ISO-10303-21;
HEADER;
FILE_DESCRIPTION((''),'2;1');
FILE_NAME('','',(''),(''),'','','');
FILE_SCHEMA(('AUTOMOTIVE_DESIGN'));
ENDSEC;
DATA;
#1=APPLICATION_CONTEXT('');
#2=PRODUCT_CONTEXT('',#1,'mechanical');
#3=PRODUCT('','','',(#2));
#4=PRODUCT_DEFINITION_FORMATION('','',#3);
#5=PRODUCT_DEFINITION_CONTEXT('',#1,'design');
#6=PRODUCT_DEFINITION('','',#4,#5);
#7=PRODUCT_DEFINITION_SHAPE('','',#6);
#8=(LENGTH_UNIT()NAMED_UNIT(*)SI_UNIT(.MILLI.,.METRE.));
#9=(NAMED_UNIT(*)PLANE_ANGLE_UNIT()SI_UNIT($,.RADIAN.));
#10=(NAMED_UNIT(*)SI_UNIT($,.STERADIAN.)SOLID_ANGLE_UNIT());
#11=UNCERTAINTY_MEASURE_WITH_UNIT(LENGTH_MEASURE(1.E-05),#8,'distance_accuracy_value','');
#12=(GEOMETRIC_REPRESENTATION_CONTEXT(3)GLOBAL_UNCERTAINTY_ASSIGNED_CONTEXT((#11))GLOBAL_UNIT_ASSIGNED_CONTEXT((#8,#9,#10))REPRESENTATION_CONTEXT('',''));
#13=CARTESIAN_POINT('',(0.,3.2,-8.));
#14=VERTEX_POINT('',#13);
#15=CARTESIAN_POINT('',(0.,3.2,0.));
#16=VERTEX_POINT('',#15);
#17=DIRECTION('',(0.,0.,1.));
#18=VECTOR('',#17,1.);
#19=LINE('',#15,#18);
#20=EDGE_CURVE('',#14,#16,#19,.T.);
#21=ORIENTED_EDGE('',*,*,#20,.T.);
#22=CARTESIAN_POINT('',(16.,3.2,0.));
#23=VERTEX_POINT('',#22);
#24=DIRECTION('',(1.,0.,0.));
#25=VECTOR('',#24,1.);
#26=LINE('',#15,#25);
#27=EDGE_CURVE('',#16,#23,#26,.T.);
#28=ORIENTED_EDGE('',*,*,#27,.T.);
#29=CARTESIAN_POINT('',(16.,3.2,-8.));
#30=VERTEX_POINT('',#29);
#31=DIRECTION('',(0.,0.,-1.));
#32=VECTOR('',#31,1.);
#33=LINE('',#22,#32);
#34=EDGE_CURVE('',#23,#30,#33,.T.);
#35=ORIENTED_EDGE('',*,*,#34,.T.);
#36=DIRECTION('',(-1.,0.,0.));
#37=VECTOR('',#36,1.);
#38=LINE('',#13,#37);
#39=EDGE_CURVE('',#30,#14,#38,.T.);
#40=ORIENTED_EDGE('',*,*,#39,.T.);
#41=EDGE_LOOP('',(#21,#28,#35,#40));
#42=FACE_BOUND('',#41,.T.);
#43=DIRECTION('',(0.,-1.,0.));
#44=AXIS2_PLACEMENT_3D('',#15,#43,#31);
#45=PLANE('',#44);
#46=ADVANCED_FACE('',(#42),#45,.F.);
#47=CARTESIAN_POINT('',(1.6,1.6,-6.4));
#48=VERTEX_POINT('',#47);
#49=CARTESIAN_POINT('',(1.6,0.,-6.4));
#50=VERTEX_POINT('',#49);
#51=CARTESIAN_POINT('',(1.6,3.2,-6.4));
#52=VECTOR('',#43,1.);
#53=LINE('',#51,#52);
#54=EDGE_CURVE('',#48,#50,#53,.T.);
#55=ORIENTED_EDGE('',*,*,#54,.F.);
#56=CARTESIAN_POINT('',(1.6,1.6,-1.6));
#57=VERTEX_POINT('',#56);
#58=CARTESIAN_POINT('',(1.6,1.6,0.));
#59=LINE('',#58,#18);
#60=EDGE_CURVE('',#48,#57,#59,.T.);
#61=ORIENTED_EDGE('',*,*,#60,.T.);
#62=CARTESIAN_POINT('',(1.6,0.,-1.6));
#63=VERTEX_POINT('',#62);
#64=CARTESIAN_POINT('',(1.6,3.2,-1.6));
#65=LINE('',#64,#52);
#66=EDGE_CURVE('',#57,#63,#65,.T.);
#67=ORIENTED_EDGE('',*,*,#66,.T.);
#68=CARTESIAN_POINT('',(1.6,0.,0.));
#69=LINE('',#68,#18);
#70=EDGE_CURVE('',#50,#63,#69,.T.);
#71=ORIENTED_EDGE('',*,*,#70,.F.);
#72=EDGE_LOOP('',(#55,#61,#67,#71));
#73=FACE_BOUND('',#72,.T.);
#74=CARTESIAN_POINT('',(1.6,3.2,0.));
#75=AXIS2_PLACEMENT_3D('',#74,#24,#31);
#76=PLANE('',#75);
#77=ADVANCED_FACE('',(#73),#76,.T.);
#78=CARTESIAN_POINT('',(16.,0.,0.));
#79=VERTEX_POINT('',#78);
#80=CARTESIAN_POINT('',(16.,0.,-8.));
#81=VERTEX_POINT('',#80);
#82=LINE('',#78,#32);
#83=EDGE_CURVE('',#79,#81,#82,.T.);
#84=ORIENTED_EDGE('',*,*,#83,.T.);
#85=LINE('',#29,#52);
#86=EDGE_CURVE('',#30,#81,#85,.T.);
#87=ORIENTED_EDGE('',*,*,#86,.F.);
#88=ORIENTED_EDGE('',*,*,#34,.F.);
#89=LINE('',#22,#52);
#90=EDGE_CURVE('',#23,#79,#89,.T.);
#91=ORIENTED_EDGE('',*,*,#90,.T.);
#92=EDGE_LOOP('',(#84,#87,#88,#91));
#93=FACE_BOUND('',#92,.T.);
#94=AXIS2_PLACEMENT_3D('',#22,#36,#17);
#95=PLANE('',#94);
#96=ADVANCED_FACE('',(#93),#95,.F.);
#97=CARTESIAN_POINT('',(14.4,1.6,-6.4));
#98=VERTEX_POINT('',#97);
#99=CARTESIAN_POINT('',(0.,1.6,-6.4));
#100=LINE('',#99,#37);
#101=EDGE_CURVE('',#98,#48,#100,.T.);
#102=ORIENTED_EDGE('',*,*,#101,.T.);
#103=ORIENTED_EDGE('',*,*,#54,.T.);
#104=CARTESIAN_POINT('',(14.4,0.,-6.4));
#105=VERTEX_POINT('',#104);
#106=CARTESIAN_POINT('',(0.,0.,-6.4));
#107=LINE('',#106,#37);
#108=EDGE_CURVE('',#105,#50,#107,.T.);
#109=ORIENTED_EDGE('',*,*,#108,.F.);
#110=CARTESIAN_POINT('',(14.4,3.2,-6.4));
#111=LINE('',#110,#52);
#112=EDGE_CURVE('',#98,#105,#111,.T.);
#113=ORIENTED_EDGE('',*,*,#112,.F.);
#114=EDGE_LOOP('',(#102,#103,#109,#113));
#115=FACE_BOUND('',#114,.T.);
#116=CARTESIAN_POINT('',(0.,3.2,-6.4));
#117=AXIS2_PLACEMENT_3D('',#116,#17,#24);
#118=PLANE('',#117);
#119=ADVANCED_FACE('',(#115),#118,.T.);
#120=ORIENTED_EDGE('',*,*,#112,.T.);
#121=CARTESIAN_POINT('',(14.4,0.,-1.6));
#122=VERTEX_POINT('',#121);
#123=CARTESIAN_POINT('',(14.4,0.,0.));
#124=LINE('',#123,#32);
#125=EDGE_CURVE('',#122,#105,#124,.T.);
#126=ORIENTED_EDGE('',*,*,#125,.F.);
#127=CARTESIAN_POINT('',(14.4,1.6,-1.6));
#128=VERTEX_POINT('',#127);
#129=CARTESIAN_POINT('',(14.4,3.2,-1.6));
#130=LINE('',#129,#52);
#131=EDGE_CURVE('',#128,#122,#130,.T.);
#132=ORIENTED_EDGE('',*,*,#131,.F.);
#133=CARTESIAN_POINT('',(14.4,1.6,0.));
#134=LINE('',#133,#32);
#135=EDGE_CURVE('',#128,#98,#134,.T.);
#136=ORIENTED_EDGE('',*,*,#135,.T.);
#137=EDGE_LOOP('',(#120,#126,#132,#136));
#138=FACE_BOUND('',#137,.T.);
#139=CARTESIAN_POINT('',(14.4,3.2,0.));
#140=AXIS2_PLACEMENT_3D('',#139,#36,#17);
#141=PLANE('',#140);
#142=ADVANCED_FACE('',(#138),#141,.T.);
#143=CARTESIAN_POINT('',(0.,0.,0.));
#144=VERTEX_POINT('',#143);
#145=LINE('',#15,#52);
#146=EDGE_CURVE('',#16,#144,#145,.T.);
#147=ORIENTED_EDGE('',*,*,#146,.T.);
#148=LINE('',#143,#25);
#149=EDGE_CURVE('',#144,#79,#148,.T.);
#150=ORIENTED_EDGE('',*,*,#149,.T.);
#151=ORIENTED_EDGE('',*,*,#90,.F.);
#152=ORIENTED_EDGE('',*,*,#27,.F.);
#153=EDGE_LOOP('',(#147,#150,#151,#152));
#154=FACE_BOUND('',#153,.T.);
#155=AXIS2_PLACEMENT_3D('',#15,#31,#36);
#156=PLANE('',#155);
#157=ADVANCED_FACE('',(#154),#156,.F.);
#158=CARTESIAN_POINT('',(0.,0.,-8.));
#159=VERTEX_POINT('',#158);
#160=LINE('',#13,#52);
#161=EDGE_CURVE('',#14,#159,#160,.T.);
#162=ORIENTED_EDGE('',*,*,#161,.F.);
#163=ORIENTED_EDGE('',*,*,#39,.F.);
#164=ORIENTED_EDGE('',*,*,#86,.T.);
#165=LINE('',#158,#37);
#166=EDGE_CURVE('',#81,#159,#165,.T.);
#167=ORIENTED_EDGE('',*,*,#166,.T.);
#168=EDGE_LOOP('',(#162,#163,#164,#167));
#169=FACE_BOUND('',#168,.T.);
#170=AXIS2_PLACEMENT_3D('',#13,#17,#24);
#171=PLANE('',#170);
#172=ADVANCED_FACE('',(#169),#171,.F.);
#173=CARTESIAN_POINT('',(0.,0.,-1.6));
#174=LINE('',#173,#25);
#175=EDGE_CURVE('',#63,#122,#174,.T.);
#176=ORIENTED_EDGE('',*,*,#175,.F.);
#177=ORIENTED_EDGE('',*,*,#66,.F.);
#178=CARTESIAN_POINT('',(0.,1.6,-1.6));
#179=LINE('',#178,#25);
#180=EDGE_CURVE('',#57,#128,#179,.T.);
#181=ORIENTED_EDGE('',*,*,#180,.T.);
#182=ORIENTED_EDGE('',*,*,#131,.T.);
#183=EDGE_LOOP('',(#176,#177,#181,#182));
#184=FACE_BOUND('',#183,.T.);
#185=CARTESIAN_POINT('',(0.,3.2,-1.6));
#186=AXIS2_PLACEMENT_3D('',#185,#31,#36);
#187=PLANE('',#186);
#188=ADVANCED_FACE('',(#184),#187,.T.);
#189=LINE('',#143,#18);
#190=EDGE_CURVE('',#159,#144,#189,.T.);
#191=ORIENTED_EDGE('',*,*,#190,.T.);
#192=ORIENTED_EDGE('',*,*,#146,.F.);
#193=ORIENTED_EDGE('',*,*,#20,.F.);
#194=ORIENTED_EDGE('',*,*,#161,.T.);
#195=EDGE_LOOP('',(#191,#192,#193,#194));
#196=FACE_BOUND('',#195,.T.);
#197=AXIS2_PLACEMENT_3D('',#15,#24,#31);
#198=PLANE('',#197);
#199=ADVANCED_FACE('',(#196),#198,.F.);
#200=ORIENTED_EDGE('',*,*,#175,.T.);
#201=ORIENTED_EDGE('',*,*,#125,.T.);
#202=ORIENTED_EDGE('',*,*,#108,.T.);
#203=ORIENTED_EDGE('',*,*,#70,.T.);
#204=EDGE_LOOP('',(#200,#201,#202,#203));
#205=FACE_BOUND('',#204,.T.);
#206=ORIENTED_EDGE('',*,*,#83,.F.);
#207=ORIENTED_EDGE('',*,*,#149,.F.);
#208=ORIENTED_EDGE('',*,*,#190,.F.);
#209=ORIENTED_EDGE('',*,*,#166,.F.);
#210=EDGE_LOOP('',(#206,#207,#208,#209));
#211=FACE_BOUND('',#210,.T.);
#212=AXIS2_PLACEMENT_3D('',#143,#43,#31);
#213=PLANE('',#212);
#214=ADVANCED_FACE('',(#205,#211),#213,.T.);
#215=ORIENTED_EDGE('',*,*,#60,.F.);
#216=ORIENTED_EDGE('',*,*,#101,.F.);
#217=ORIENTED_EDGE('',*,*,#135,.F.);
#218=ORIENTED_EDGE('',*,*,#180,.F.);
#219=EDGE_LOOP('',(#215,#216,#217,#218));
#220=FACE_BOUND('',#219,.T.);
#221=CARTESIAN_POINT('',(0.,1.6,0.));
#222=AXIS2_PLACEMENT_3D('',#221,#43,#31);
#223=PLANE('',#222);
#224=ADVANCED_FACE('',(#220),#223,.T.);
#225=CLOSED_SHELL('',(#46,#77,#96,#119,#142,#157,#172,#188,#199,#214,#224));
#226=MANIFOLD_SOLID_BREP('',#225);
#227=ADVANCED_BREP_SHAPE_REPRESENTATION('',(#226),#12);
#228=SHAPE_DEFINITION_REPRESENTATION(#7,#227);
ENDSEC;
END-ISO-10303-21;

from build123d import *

# Parameters (mm, degrees)
SKETCH1_W           = 16
SKETCH1_H           = 8
BOSS_EXTRUDE1_DEPTH = 3.2
SHELL1_T            = -1.6


with BuildPart() as part:
    # Sketch1 → Boss-Extrude1 (new body)
    with BuildSketch(Plane(origin=(0, 0, 0), x_dir=(1, 0, 0), z_dir=(0, 1, 0))):
        with Locations((8, 4)):
            Rectangle(SKETCH1_W, SKETCH1_H)
    extrude(amount=BOSS_EXTRUDE1_DEPTH)

    # Shell1
    shell1_openings = [part.faces().sort_by_distance(p)[0] for p in [
        (8, 0, -4),
    ]]
    offset(amount=SHELL1_T, openings=shell1_openings, kind=Kind.INTERSECTION)


solid = part.part
